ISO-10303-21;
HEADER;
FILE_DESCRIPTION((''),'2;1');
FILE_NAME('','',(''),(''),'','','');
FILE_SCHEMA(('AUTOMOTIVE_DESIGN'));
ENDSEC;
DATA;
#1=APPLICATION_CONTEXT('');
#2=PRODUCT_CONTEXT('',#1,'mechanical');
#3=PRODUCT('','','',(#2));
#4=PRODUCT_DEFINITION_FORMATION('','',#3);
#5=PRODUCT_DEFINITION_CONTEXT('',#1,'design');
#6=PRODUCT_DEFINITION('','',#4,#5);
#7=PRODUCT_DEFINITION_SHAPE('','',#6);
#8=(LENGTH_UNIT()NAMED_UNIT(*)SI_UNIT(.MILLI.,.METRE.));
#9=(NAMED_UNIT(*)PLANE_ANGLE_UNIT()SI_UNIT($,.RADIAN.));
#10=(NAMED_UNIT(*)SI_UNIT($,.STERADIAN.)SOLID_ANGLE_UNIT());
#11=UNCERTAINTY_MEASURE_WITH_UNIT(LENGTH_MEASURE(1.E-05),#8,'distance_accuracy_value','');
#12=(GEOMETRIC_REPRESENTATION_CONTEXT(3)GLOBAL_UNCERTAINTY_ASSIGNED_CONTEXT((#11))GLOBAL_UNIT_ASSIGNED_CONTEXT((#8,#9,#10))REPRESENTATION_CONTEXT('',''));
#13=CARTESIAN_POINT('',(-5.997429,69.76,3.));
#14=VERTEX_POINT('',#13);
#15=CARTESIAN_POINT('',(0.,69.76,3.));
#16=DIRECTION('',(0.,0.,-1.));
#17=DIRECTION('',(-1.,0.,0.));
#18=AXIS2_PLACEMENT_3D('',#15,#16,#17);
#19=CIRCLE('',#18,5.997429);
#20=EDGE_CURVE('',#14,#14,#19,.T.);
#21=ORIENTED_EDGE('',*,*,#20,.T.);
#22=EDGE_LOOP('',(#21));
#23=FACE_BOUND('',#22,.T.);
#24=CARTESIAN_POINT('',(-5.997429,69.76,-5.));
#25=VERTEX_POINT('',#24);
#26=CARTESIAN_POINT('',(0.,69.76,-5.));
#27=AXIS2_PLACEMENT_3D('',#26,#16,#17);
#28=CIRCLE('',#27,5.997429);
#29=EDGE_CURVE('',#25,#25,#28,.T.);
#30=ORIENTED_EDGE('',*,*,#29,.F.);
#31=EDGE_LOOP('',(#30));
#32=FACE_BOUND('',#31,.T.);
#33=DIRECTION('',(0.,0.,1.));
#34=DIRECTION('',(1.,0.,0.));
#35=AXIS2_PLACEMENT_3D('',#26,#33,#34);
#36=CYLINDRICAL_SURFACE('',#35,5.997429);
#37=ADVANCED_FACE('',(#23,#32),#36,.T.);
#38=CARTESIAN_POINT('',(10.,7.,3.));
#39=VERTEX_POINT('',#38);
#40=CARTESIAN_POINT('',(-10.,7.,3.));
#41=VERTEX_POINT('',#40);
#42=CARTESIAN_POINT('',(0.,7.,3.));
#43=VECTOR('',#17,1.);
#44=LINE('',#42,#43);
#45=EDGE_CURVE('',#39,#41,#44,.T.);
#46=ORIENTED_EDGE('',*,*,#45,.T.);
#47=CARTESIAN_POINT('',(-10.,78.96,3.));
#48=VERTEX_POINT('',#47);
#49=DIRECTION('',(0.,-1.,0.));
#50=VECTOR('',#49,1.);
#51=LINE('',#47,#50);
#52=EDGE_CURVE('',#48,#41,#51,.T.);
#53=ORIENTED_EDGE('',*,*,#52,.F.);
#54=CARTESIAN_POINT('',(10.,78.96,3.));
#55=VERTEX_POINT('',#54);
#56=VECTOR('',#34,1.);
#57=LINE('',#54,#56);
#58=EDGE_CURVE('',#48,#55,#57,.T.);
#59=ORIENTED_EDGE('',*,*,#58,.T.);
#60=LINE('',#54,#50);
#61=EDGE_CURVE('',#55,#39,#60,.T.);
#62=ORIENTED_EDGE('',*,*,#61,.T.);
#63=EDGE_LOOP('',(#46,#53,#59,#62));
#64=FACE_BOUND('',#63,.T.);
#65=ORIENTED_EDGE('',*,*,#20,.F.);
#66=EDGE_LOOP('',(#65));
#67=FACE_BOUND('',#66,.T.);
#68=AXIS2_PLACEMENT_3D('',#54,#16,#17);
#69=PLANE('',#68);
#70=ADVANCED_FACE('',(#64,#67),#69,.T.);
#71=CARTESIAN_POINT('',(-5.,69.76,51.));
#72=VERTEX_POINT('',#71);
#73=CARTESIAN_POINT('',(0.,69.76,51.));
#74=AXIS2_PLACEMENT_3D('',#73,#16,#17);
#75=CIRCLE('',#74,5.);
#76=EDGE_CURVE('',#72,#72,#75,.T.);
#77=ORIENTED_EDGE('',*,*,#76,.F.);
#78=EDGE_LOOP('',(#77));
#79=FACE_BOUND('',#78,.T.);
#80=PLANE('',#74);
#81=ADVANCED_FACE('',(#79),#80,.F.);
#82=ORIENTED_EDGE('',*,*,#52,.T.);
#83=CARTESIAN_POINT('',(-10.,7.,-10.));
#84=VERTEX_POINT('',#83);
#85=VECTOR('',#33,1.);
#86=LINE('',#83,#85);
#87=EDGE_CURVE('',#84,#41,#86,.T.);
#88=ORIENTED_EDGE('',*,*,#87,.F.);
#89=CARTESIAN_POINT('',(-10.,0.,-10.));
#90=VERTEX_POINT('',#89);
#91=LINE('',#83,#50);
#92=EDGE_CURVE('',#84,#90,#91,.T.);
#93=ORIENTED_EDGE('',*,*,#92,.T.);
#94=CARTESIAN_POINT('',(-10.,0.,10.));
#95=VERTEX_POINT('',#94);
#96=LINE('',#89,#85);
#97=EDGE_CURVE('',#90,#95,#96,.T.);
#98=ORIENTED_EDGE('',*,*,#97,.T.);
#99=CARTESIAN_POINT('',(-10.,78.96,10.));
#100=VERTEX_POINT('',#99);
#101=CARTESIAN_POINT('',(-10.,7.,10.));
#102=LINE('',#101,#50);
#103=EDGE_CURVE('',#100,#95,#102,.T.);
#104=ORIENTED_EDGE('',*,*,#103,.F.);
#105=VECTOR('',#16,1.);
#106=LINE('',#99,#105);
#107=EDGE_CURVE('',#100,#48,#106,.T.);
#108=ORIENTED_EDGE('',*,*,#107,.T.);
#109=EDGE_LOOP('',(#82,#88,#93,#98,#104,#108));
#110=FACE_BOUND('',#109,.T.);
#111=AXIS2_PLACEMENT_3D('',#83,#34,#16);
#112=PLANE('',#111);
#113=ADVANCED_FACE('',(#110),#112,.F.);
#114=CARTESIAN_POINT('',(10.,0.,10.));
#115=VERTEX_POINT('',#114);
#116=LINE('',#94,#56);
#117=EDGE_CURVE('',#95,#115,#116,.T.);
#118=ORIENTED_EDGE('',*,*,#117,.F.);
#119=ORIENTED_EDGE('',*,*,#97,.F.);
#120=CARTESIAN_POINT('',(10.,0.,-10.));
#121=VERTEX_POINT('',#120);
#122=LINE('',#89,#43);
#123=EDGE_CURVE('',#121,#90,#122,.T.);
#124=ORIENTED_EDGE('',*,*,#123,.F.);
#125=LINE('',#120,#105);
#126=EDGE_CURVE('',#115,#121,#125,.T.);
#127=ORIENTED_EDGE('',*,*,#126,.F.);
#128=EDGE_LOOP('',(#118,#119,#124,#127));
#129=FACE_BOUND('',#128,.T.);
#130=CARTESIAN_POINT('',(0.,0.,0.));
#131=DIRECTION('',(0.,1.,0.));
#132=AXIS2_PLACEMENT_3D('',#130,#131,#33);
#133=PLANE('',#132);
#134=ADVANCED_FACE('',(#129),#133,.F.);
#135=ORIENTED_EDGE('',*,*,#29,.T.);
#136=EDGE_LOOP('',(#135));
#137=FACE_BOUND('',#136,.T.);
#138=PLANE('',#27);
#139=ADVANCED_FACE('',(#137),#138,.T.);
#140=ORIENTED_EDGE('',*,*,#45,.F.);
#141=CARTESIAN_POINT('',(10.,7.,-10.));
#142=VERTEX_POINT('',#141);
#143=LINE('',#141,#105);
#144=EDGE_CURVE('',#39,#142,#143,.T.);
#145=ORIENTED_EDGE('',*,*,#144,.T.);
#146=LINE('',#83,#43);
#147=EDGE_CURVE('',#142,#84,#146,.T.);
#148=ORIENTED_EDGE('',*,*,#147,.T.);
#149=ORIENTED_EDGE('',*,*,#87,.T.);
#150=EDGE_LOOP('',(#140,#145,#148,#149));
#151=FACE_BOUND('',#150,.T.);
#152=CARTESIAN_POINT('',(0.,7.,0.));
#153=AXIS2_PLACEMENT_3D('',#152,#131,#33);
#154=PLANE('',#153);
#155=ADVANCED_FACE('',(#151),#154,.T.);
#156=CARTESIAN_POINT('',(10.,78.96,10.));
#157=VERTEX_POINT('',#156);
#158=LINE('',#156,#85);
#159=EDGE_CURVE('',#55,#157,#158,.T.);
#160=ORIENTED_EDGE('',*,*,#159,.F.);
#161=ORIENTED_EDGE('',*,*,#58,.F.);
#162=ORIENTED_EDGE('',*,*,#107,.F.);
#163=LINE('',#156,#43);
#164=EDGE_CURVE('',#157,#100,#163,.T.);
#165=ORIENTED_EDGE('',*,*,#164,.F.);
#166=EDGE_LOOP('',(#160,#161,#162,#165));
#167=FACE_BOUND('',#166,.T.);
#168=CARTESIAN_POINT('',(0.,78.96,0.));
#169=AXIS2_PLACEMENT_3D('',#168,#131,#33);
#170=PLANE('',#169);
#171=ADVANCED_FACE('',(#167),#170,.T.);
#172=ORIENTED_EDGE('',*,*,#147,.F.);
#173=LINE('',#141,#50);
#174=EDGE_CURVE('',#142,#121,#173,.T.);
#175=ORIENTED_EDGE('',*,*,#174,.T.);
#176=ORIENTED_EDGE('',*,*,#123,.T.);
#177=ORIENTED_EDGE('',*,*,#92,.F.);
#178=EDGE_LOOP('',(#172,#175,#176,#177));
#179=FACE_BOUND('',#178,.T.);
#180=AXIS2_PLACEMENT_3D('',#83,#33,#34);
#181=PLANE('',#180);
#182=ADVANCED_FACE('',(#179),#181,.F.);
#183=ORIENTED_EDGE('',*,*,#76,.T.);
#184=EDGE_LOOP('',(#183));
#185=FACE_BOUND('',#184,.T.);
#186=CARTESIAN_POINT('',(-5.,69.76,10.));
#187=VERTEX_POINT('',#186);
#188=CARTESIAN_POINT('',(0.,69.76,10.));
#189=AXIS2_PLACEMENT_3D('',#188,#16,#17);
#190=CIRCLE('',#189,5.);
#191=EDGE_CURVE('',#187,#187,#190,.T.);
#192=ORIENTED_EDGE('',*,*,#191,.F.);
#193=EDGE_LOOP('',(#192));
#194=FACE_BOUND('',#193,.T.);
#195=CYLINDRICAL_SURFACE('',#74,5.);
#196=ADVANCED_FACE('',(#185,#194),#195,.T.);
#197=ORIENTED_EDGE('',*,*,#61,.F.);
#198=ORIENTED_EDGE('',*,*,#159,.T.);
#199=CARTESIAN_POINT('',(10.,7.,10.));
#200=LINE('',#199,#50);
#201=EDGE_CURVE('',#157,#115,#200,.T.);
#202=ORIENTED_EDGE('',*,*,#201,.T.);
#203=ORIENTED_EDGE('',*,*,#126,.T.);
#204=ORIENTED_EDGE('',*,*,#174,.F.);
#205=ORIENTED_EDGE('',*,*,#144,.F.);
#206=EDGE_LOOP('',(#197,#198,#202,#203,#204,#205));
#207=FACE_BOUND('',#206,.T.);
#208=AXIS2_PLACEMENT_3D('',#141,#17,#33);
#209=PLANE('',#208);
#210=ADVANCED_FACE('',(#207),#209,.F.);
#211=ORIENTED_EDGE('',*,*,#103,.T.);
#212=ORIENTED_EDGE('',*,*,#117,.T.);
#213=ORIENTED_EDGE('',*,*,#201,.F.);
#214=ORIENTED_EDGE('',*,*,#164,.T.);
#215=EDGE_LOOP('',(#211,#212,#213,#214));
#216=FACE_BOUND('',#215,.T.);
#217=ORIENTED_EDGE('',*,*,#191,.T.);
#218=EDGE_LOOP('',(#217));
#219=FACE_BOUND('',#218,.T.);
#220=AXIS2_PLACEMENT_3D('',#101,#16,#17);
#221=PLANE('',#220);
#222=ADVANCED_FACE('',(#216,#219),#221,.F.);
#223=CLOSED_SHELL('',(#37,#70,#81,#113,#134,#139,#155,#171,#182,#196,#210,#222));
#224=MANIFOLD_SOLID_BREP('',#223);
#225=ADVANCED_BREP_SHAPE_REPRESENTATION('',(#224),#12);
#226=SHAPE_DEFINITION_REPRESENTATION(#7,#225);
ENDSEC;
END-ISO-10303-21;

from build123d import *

# Parameters (mm, degrees)
SKETCH_2_W      = 20
SKETCH_2_H      = 20
EXTRUDE_2_DEPTH = 7
SKETCH_4_W      = 20
SKETCH_4_H      = 7
EXTRUDE_3_DEPTH = 78.96
SKETCH_5_R      = 5
EXTRUDE_4_DEPTH = 48
SKETCH_10_R     = 5.997428606
EXTRUDE_5_DEPTH = 8


with BuildPart() as part:
    # Эскиз2 → Бобышка-Вытянуть2 (new body)
    with BuildSketch(Plane(origin=(0, 0, 0), x_dir=(1, 0, 0), z_dir=(0, 1, 0))):
        Rectangle(SKETCH_2_W, SKETCH_2_H)
    extrude(amount=EXTRUDE_2_DEPTH)

    # Эскиз4 → Бобышка-Вытянуть3 (add)
    with BuildSketch(Plane(origin=(0, 0, 0), x_dir=(-1, 0, 0), z_dir=(0, -1, 0))):
        with Locations((0, -6.5)):
            Rectangle(SKETCH_4_W, SKETCH_4_H)
    extrude(amount=-EXTRUDE_3_DEPTH)

    # Эскиз5 → Бобышка-Вытянуть4 (add)
    with BuildSketch(Plane(origin=(0, 0, 3), x_dir=(-1, 0, 0), z_dir=(0, 0, -1))):
        with Locations((0, 69.76)):
            Circle(SKETCH_5_R)
    extrude(amount=-EXTRUDE_4_DEPTH)

    # Эскиз10 → Бобышка-Вытянуть5 (add)
    with BuildSketch(Plane(origin=(0, 0, 3), x_dir=(-1, 0, 0), z_dir=(0, 0, -1))):
        with Locations((0, 69.76)):
            Circle(SKETCH_10_R)
    extrude(amount=EXTRUDE_5_DEPTH)


solid = part.part
